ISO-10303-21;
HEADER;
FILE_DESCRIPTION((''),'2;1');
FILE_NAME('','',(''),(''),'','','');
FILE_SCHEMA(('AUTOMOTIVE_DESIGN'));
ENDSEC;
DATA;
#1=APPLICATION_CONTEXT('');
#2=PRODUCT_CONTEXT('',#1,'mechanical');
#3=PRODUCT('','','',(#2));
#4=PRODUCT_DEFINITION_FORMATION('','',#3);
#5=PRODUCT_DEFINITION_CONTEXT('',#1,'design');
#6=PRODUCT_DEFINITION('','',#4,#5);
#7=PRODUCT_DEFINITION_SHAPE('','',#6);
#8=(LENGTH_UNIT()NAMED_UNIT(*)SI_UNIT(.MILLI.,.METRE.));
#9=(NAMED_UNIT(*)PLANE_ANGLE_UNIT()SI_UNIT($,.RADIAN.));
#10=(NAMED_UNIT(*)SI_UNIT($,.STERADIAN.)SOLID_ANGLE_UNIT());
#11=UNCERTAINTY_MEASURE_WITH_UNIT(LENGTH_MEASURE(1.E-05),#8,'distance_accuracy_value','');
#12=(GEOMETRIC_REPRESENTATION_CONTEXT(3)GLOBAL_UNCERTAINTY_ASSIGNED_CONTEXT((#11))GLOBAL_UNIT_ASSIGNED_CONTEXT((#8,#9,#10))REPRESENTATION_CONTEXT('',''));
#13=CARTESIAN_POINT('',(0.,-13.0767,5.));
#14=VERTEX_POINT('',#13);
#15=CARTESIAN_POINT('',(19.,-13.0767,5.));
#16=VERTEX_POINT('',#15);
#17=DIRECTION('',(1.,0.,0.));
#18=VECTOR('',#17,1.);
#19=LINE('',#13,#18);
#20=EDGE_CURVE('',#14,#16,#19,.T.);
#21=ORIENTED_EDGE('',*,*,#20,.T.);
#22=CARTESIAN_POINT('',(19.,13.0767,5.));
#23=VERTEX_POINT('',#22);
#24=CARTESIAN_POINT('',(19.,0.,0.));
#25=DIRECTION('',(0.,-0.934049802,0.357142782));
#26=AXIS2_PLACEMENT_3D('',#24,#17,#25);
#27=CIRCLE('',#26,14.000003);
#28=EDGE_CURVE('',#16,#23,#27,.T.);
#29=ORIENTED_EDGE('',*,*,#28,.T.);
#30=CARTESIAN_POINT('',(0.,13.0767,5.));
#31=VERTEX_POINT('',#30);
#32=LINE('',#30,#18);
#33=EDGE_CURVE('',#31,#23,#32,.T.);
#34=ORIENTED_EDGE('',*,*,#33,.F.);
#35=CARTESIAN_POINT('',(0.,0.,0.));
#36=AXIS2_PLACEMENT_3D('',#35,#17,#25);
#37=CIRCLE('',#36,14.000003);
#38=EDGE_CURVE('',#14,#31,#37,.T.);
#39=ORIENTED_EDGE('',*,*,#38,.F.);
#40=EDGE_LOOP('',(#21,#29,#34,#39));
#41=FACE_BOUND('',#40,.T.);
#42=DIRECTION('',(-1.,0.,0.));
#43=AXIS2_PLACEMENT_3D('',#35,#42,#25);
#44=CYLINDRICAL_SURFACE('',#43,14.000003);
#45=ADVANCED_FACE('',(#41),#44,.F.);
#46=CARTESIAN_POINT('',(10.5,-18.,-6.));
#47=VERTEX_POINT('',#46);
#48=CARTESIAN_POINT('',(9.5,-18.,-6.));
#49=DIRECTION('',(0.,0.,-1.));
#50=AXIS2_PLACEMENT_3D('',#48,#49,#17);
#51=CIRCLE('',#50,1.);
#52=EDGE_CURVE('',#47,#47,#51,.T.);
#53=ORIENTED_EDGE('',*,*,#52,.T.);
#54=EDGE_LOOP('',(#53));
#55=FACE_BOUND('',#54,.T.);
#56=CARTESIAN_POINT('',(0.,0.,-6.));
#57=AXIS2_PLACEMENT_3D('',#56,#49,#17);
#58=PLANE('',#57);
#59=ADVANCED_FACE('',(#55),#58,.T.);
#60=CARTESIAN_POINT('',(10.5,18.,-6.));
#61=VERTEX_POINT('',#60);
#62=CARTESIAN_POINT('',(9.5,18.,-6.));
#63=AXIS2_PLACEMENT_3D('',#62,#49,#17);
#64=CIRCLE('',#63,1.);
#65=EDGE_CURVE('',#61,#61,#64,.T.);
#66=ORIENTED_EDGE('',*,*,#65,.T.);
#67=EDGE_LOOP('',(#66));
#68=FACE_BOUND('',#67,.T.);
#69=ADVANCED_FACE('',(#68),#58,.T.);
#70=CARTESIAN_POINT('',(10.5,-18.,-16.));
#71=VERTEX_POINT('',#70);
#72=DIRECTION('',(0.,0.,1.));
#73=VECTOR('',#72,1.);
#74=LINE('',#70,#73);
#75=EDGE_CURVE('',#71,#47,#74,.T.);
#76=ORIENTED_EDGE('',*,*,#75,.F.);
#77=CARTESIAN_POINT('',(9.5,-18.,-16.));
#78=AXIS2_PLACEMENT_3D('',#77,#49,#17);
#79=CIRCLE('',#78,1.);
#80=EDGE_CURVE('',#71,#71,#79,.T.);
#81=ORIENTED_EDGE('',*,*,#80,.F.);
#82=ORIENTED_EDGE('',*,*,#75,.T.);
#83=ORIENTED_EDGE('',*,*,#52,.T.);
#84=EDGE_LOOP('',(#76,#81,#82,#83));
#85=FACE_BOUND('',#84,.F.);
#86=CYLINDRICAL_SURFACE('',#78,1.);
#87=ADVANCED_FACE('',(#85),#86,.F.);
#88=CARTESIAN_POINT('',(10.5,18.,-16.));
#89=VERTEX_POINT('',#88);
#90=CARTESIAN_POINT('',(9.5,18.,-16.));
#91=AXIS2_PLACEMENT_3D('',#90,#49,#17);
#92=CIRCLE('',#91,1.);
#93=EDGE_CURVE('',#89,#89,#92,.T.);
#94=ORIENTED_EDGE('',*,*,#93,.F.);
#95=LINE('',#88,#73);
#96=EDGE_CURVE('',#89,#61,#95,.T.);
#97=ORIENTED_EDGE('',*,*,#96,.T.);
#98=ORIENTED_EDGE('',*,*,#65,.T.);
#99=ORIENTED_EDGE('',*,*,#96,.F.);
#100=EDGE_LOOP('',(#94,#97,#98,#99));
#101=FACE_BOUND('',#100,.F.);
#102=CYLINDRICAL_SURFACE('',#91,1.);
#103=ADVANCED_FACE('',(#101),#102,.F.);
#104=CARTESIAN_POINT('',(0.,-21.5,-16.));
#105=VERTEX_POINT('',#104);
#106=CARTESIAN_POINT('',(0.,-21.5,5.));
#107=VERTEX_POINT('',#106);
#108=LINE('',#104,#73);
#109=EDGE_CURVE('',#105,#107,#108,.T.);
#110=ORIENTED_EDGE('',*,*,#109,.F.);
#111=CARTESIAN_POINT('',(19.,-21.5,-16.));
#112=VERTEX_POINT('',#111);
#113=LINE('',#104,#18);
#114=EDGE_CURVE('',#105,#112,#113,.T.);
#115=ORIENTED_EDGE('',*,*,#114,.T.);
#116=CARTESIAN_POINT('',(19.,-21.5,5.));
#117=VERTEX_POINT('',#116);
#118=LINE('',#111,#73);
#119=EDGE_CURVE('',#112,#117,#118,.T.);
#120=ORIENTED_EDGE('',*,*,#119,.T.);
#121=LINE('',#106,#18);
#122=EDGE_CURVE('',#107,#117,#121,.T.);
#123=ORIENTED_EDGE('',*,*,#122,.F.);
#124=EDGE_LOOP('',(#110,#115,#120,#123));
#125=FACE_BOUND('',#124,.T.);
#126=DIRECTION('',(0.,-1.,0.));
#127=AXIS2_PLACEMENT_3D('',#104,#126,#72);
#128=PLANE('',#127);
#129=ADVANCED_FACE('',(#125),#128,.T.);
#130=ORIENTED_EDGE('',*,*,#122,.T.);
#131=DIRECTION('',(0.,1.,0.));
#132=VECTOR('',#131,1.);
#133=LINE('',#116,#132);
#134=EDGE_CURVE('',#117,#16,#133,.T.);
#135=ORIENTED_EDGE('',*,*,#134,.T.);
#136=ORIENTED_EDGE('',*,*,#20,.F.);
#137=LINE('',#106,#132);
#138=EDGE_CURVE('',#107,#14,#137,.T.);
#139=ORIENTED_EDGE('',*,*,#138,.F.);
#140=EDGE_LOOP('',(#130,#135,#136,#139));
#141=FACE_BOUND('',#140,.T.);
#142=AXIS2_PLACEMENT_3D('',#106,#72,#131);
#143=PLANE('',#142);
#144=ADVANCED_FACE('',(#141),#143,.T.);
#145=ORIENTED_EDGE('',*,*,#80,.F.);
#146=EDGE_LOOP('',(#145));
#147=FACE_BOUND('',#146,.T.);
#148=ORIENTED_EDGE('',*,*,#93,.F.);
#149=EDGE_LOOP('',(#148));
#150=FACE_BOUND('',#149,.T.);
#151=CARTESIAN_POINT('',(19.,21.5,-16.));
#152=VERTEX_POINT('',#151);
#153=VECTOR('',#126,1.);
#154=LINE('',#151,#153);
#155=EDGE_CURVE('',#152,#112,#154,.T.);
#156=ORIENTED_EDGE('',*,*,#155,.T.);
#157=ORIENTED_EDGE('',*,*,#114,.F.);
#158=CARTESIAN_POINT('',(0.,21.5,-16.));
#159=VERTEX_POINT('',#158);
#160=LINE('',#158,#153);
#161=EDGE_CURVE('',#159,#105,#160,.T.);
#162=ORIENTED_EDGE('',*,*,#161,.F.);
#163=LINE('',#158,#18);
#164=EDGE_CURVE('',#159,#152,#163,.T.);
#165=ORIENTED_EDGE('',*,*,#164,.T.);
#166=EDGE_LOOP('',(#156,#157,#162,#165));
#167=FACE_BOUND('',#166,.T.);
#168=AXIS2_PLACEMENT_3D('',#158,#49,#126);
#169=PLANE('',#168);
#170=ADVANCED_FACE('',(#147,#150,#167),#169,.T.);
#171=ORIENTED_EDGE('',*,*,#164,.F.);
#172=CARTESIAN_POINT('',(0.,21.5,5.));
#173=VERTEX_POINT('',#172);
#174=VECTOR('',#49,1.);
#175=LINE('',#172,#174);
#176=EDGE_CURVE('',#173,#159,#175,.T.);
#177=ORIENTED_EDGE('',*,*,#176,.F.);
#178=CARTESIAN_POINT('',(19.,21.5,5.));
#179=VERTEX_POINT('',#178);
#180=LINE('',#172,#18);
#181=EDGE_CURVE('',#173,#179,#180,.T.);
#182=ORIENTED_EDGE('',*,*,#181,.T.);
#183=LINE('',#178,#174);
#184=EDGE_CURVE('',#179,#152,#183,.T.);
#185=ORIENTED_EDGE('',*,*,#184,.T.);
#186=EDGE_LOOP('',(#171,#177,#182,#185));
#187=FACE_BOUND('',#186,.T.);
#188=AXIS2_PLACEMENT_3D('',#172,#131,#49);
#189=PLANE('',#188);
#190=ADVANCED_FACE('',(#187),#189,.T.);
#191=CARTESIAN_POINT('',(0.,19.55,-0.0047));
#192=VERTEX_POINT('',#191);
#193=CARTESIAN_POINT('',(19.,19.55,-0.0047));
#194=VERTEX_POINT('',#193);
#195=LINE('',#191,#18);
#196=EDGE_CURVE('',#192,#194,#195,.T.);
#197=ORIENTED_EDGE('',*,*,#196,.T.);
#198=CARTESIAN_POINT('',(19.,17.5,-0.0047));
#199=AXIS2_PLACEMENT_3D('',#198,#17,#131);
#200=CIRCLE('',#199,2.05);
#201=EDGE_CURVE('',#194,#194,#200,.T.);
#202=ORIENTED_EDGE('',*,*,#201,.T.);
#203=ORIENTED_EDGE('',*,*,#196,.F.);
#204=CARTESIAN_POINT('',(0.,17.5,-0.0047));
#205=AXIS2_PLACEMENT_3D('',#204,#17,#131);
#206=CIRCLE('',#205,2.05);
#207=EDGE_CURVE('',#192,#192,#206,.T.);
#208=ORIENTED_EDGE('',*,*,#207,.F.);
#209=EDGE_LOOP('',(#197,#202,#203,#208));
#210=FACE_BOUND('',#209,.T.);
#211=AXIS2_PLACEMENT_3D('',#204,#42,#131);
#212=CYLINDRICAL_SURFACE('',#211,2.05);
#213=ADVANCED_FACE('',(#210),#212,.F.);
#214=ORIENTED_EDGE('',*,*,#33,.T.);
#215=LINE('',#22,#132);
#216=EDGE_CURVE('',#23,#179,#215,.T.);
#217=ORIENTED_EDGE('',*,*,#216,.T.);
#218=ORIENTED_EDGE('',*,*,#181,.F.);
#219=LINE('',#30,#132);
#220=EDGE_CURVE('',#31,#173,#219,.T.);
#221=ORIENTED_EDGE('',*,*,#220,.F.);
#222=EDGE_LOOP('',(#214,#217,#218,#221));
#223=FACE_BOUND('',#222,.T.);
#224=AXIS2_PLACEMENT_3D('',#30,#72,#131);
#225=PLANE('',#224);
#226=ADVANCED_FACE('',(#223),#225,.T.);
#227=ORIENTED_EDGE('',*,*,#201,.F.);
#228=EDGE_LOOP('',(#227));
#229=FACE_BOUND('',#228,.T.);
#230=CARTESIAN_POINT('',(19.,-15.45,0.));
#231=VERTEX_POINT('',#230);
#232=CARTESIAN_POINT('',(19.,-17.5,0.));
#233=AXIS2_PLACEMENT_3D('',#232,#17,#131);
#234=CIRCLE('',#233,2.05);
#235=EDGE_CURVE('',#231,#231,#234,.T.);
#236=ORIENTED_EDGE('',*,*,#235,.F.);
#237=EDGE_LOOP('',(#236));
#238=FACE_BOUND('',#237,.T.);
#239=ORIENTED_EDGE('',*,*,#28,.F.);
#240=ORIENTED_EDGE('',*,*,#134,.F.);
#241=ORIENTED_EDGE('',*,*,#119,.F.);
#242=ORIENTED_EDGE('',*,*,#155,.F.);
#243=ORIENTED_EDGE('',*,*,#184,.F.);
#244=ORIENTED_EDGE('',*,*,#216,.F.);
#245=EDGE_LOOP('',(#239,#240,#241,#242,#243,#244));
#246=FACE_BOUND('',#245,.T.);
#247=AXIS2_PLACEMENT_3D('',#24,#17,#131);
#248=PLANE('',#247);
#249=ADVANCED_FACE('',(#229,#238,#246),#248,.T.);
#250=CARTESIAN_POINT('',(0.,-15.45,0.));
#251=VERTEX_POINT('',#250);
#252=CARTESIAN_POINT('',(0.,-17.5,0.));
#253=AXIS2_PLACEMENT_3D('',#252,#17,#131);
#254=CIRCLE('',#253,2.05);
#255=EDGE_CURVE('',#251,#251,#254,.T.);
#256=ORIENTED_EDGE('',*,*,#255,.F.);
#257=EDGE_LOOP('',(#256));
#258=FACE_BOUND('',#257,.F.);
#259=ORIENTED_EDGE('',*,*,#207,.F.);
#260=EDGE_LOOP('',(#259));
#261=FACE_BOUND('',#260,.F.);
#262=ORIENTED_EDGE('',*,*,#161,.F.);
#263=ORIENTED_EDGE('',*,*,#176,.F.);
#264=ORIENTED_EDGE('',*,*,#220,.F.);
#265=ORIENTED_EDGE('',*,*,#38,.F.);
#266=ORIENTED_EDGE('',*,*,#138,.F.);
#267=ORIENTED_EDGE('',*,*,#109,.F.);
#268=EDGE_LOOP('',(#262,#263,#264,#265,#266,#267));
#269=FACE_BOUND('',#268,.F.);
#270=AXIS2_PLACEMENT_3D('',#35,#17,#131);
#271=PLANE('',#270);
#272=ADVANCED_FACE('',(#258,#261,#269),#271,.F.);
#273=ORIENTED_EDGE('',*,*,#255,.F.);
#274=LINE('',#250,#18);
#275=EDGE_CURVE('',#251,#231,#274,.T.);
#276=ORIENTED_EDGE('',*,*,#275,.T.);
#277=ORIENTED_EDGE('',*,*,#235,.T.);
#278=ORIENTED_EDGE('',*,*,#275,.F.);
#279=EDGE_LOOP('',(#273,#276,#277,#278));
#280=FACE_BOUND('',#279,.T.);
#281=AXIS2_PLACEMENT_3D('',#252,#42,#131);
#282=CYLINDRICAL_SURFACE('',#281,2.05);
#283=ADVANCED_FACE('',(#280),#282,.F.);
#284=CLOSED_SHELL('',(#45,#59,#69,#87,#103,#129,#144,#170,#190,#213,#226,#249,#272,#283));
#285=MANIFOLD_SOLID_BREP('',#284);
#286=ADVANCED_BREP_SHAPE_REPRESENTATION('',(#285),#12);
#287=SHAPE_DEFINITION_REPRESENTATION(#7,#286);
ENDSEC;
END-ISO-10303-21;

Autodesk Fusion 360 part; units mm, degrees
sketch "Sketch1" plane through (0, 0, 0) normal (1, 0, 0) x (0, 1, 0)
  line L0 (21.5, 5) -> (21.5, -16)
  line L1 (21.5, -16) -> (-21.5, -16)
  line L2 (-21.5, -16) -> (-21.5, 5)
  line L3 (-21.5, 5) -> (-13.0767, 5)
  line L4 (13.0767, 5) -> (21.5, 5)
  arc A0 (-13.0767, 5) -> (13.0767, 5) centre (0, 0) ccw
  circle A1 centre (17.5, -0.0047) radius 2.05
  circle A2 centre (-17.5, 0) radius 2.05
  dimension "d44" = 28
  dimension "d47" = 16
  dimension "d48" = 5
  dimension "d49" = 4.1
  dimension "d50" = 21.5
  dimension "d51" = 21.5
  dimension "d52" = 17.5
  dimension "d56" = 4.1
  dimension "d57" = 17.5
extrude "Extrude1" add sketch "Sketch1" along normal blind 19
sketch "Sketch2" plane through (0, 0, 0) normal (1, 0, 0) x (0, 1, 0)
  line L0 (21.5, 3.5453) -> (21.5, -0.0047)
  point P0 (15.45, -0.0047)
  point P1 (17.5, -0.0047)
  dimension "d62" = 4
sketch "Sketch3" plane through (0, 0, -16) normal (0, 0, -1) x (1, 0, 0)
  line L0 (0, 21.5) -> (0, -21.5)
  line L1 (0, -21.5) -> (19, -21.5)
  line L2 (19, -21.5) -> (19, 21.5)
  line L3 (19, 21.5) -> (0, 21.5)
  line L4 (9.5, 25) -> (9.5, -29)
  dimension "d63" = 9.5
sketch "Sketch4" plane through (0, 0, -16) normal (0, 0, -1) x (1, 0, 0)
sketch "Sketch5" plane through (0, 0, 0) normal (1, 0, 0) x (0, 1, 0)
  line L0 (-19.794, -16) -> (-15.6772, -16)
  dimension "d64" = 4.1168
  dimension "d65" = 4.1168
sketch "Sketch6" plane through (0, 0, -16) normal (0, 0, -1) x (1, 0, 0)
  circle A0 centre (9.5, 18) radius 1
  line L0 (19, 21.5) -> (0, 21.5)
  circle A1 centre (9.5, -18) radius 1
  line L1 (0, -21.5) -> (19, -21.5)
  dimension "d66" = 2
  dimension "d67" = 3.5
  dimension "d68" = 2
  dimension "d69" = 3.5
extrude "Extrude2" cut sketch "Sketch6" against normal blind 10
